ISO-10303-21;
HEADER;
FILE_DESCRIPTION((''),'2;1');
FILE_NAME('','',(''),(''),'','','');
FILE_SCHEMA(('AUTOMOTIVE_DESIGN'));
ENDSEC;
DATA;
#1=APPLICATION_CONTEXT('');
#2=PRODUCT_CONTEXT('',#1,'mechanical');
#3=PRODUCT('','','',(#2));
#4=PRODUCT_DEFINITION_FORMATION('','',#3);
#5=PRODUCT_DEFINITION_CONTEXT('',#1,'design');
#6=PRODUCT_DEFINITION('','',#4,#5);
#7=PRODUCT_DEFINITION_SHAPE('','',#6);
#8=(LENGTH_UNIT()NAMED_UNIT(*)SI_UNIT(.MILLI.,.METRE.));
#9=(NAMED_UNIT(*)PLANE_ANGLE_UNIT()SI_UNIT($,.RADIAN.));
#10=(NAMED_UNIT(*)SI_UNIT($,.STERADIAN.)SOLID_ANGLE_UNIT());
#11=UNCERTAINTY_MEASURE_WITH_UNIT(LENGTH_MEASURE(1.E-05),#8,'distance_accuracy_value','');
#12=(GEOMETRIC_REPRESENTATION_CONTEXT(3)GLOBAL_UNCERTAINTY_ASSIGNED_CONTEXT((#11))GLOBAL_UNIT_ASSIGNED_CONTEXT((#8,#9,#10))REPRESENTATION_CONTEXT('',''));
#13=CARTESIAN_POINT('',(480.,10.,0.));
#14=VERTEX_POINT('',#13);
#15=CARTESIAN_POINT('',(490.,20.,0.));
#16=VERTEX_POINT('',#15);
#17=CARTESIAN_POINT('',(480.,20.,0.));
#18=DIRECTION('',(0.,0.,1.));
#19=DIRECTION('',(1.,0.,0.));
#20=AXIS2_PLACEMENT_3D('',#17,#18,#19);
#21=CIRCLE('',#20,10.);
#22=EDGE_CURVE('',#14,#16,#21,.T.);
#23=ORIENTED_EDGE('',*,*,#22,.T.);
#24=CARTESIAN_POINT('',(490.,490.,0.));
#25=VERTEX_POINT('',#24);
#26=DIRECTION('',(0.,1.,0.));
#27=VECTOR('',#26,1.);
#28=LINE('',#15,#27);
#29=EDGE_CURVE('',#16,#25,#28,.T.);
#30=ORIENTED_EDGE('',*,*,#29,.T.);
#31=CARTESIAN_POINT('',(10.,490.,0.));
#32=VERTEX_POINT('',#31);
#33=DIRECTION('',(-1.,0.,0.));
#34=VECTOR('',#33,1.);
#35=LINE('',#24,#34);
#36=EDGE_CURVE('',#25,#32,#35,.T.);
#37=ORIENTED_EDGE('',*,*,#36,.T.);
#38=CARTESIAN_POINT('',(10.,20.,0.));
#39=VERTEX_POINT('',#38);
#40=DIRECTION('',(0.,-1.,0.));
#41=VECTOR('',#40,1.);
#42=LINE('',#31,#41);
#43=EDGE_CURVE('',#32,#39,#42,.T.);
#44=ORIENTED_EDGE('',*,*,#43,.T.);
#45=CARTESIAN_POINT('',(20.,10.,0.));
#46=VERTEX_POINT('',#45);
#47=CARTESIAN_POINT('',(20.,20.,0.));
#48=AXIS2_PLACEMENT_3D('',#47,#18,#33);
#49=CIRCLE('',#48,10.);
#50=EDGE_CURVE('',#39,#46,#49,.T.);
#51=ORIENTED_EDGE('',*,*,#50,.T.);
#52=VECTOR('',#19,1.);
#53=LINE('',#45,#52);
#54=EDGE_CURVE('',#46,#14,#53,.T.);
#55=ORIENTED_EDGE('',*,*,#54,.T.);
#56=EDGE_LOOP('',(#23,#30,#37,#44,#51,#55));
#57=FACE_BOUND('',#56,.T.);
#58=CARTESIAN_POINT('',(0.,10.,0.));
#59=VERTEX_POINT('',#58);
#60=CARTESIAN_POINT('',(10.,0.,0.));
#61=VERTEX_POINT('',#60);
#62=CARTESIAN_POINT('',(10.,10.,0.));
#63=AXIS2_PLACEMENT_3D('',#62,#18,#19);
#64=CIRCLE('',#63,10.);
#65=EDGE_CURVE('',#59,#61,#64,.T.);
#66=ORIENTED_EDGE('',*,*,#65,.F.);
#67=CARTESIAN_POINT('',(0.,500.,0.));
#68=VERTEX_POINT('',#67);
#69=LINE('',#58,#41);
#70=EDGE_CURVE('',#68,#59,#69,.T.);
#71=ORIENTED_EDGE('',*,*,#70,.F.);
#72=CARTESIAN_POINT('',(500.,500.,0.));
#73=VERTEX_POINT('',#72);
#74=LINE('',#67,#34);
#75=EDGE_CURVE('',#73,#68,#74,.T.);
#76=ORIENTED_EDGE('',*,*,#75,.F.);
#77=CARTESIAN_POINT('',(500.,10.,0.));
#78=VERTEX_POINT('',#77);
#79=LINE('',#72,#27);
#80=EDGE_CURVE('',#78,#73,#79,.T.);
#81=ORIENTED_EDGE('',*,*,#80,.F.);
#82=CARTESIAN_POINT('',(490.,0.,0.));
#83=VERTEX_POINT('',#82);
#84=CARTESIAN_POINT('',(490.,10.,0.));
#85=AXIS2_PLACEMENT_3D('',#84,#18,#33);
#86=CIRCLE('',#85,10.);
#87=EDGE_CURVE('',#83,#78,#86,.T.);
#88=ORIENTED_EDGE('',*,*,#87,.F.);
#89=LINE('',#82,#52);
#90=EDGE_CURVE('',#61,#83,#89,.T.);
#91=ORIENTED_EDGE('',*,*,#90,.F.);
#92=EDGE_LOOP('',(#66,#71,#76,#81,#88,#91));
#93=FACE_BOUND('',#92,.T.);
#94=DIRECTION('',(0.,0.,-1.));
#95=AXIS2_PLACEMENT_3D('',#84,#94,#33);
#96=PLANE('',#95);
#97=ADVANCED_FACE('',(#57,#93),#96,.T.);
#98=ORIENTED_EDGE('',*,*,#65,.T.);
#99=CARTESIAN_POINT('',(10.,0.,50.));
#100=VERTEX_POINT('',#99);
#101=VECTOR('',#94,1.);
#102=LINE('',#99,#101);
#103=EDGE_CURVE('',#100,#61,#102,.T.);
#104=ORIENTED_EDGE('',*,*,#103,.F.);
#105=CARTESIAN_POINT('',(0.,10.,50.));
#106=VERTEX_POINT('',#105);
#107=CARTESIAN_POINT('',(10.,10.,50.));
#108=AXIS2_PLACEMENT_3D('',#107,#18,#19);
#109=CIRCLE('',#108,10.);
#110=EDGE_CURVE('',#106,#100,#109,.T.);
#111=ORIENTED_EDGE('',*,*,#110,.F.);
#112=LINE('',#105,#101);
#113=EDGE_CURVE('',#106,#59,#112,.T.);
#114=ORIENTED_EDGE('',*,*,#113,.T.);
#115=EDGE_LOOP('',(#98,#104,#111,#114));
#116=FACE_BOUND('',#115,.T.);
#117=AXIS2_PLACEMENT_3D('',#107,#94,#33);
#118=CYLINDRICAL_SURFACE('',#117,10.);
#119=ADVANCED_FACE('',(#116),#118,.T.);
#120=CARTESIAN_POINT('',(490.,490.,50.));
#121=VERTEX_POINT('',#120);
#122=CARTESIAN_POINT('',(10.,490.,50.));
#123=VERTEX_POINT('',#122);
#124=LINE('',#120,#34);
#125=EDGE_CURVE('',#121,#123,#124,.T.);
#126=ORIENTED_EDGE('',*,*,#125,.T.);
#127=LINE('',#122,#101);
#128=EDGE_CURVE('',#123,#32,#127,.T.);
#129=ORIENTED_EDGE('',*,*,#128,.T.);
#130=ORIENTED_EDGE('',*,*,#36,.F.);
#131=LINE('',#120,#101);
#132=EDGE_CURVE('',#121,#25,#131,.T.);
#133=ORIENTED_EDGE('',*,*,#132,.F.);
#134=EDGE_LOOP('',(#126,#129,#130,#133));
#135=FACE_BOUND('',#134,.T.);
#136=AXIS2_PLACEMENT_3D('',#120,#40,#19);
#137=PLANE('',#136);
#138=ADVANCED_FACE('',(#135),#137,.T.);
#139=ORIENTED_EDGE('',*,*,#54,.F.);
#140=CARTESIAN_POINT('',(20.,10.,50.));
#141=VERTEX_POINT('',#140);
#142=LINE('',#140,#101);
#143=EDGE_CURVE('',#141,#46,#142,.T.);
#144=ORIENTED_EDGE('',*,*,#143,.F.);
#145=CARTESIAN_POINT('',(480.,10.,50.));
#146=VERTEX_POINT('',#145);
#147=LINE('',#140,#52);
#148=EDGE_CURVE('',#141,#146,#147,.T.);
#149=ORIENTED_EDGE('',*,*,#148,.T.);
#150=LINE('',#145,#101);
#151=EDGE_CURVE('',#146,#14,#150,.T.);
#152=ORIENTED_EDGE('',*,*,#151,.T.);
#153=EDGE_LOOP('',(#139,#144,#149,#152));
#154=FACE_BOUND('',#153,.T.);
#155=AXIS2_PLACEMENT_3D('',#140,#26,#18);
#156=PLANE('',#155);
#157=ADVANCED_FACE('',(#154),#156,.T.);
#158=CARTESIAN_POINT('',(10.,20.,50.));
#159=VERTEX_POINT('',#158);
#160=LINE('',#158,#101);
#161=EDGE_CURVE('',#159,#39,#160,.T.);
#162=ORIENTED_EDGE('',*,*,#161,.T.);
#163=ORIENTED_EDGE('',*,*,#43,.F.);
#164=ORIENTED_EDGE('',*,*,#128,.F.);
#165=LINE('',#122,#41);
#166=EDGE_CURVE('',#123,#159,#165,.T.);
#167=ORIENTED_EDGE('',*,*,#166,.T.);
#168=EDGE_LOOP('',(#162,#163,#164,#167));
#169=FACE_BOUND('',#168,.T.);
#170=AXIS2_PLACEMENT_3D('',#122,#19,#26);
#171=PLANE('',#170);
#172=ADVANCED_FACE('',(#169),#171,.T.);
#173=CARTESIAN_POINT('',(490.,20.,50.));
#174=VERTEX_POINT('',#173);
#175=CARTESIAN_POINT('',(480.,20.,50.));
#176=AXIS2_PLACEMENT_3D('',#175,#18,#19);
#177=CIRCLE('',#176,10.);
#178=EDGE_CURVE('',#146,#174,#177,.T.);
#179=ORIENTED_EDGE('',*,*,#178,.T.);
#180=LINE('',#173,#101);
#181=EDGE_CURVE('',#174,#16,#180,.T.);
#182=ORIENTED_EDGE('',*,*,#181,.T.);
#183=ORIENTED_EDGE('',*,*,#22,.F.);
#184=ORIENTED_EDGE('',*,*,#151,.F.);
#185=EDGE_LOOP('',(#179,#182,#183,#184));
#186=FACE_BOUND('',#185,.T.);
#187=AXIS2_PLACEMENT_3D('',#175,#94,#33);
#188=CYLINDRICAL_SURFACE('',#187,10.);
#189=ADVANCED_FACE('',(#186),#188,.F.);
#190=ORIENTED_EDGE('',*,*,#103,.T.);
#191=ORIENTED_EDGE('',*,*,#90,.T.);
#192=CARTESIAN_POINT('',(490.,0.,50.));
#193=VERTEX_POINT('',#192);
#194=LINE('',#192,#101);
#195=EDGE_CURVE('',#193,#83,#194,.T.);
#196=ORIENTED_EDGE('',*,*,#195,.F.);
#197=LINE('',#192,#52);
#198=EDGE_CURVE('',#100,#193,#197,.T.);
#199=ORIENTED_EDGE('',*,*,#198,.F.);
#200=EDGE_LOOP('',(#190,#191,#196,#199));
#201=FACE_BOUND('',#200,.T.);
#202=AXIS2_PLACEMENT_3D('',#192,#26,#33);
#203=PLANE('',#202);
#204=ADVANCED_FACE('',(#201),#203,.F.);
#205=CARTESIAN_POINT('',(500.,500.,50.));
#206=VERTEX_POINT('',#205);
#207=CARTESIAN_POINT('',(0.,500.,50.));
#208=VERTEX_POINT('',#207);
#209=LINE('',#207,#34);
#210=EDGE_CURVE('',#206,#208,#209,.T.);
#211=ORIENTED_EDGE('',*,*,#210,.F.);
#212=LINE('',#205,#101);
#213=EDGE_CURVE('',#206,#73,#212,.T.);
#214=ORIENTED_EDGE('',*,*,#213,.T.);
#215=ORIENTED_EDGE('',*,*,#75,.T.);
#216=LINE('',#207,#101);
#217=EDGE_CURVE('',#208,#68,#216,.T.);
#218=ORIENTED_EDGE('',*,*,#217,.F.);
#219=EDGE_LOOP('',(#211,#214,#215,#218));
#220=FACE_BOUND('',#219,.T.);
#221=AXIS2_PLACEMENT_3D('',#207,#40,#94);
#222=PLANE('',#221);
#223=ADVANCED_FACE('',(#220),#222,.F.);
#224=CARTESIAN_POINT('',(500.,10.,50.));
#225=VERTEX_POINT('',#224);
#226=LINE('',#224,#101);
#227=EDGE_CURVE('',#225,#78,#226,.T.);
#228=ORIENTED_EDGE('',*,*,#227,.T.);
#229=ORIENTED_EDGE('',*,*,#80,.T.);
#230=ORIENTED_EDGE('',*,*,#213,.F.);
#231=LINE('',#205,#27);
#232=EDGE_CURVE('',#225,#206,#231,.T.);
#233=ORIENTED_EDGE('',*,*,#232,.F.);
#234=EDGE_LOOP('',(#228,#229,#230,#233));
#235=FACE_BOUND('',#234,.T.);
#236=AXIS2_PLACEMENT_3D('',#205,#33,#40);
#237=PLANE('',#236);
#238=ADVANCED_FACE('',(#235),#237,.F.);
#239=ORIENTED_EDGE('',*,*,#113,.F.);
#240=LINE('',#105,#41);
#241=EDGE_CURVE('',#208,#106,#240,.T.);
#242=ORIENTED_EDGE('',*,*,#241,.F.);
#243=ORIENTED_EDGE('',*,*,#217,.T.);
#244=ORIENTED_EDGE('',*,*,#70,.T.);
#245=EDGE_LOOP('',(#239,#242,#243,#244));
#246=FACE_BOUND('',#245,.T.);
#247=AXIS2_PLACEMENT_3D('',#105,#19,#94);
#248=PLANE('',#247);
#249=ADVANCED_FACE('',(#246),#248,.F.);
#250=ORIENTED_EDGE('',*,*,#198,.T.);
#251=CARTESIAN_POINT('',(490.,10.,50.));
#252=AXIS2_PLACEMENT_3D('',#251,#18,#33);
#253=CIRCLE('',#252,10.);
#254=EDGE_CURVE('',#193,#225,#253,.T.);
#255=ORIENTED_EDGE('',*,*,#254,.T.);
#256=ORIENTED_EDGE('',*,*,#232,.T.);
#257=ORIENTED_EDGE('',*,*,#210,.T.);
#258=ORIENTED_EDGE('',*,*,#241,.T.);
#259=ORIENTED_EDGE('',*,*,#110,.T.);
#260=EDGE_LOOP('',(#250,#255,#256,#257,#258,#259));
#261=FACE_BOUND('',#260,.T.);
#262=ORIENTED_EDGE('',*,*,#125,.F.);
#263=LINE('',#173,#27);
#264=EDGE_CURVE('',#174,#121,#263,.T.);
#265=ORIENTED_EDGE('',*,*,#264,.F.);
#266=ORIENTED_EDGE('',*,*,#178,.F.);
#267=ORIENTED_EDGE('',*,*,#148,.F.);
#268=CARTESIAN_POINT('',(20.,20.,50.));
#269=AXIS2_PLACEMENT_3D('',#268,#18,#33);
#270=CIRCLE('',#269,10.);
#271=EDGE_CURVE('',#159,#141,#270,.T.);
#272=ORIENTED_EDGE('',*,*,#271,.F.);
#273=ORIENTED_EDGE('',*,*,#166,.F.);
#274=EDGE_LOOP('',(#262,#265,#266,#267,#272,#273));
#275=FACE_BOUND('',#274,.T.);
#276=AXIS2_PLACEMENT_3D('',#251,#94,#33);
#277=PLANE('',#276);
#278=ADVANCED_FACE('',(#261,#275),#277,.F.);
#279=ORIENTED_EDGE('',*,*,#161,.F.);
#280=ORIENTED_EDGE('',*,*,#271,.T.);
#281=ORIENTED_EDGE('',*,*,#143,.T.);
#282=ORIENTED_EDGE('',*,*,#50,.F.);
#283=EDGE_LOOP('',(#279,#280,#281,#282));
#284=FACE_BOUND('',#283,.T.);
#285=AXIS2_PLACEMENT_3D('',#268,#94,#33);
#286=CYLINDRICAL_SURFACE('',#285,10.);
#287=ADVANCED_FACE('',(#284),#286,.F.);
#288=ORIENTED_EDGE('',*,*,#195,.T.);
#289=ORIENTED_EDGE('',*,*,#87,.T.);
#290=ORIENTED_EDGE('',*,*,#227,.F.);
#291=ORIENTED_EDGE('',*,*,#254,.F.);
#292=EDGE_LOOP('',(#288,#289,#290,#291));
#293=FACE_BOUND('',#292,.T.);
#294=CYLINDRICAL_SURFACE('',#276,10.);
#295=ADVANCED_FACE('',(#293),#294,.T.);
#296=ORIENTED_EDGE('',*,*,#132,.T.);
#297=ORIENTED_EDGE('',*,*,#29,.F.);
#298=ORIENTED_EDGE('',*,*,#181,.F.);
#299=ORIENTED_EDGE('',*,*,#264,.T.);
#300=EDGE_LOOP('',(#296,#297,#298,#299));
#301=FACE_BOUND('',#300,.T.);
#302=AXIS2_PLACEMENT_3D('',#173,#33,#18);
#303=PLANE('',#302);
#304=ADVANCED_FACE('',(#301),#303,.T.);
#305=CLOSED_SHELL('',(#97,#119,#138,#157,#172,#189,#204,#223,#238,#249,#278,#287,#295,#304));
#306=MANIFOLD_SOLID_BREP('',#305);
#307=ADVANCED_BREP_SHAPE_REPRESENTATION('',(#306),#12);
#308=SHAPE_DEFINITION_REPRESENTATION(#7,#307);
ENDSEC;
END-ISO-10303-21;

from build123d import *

# Parameters (mm, degrees)
SALIENTE_EXTRUIR1_DEPTH = 50


with BuildPart() as part:
    # Croquis2 → Saliente-Extruir1 (new body)
    with BuildSketch(Plane.XY):
        with BuildLine():
            Line((0, 10), (0, 500))
            Line((0, 500), (500, 500))
            Line((500, 500), (500, 10))
            ThreePointArc((500, 10), (497.071067812, 2.928932188), (490, 0))
            Line((490, 0), (10, 0))
            ThreePointArc((10, 0), (2.928932188, 2.928932188), (0, 10))
        make_face()
        with BuildLine():
            Line((10, 490), (10, 20))
            ThreePointArc((10, 20), (12.928932188, 12.928932188), (20, 10))
            Line((20, 10), (480, 10))
            ThreePointArc((480, 10), (487.071067812, 12.928932188), (490, 20))
            Line((490, 20), (490, 490))
            Line((490, 490), (10, 490))
        make_face(mode=Mode.SUBTRACT)
    extrude(amount=SALIENTE_EXTRUIR1_DEPTH)


solid = part.part
